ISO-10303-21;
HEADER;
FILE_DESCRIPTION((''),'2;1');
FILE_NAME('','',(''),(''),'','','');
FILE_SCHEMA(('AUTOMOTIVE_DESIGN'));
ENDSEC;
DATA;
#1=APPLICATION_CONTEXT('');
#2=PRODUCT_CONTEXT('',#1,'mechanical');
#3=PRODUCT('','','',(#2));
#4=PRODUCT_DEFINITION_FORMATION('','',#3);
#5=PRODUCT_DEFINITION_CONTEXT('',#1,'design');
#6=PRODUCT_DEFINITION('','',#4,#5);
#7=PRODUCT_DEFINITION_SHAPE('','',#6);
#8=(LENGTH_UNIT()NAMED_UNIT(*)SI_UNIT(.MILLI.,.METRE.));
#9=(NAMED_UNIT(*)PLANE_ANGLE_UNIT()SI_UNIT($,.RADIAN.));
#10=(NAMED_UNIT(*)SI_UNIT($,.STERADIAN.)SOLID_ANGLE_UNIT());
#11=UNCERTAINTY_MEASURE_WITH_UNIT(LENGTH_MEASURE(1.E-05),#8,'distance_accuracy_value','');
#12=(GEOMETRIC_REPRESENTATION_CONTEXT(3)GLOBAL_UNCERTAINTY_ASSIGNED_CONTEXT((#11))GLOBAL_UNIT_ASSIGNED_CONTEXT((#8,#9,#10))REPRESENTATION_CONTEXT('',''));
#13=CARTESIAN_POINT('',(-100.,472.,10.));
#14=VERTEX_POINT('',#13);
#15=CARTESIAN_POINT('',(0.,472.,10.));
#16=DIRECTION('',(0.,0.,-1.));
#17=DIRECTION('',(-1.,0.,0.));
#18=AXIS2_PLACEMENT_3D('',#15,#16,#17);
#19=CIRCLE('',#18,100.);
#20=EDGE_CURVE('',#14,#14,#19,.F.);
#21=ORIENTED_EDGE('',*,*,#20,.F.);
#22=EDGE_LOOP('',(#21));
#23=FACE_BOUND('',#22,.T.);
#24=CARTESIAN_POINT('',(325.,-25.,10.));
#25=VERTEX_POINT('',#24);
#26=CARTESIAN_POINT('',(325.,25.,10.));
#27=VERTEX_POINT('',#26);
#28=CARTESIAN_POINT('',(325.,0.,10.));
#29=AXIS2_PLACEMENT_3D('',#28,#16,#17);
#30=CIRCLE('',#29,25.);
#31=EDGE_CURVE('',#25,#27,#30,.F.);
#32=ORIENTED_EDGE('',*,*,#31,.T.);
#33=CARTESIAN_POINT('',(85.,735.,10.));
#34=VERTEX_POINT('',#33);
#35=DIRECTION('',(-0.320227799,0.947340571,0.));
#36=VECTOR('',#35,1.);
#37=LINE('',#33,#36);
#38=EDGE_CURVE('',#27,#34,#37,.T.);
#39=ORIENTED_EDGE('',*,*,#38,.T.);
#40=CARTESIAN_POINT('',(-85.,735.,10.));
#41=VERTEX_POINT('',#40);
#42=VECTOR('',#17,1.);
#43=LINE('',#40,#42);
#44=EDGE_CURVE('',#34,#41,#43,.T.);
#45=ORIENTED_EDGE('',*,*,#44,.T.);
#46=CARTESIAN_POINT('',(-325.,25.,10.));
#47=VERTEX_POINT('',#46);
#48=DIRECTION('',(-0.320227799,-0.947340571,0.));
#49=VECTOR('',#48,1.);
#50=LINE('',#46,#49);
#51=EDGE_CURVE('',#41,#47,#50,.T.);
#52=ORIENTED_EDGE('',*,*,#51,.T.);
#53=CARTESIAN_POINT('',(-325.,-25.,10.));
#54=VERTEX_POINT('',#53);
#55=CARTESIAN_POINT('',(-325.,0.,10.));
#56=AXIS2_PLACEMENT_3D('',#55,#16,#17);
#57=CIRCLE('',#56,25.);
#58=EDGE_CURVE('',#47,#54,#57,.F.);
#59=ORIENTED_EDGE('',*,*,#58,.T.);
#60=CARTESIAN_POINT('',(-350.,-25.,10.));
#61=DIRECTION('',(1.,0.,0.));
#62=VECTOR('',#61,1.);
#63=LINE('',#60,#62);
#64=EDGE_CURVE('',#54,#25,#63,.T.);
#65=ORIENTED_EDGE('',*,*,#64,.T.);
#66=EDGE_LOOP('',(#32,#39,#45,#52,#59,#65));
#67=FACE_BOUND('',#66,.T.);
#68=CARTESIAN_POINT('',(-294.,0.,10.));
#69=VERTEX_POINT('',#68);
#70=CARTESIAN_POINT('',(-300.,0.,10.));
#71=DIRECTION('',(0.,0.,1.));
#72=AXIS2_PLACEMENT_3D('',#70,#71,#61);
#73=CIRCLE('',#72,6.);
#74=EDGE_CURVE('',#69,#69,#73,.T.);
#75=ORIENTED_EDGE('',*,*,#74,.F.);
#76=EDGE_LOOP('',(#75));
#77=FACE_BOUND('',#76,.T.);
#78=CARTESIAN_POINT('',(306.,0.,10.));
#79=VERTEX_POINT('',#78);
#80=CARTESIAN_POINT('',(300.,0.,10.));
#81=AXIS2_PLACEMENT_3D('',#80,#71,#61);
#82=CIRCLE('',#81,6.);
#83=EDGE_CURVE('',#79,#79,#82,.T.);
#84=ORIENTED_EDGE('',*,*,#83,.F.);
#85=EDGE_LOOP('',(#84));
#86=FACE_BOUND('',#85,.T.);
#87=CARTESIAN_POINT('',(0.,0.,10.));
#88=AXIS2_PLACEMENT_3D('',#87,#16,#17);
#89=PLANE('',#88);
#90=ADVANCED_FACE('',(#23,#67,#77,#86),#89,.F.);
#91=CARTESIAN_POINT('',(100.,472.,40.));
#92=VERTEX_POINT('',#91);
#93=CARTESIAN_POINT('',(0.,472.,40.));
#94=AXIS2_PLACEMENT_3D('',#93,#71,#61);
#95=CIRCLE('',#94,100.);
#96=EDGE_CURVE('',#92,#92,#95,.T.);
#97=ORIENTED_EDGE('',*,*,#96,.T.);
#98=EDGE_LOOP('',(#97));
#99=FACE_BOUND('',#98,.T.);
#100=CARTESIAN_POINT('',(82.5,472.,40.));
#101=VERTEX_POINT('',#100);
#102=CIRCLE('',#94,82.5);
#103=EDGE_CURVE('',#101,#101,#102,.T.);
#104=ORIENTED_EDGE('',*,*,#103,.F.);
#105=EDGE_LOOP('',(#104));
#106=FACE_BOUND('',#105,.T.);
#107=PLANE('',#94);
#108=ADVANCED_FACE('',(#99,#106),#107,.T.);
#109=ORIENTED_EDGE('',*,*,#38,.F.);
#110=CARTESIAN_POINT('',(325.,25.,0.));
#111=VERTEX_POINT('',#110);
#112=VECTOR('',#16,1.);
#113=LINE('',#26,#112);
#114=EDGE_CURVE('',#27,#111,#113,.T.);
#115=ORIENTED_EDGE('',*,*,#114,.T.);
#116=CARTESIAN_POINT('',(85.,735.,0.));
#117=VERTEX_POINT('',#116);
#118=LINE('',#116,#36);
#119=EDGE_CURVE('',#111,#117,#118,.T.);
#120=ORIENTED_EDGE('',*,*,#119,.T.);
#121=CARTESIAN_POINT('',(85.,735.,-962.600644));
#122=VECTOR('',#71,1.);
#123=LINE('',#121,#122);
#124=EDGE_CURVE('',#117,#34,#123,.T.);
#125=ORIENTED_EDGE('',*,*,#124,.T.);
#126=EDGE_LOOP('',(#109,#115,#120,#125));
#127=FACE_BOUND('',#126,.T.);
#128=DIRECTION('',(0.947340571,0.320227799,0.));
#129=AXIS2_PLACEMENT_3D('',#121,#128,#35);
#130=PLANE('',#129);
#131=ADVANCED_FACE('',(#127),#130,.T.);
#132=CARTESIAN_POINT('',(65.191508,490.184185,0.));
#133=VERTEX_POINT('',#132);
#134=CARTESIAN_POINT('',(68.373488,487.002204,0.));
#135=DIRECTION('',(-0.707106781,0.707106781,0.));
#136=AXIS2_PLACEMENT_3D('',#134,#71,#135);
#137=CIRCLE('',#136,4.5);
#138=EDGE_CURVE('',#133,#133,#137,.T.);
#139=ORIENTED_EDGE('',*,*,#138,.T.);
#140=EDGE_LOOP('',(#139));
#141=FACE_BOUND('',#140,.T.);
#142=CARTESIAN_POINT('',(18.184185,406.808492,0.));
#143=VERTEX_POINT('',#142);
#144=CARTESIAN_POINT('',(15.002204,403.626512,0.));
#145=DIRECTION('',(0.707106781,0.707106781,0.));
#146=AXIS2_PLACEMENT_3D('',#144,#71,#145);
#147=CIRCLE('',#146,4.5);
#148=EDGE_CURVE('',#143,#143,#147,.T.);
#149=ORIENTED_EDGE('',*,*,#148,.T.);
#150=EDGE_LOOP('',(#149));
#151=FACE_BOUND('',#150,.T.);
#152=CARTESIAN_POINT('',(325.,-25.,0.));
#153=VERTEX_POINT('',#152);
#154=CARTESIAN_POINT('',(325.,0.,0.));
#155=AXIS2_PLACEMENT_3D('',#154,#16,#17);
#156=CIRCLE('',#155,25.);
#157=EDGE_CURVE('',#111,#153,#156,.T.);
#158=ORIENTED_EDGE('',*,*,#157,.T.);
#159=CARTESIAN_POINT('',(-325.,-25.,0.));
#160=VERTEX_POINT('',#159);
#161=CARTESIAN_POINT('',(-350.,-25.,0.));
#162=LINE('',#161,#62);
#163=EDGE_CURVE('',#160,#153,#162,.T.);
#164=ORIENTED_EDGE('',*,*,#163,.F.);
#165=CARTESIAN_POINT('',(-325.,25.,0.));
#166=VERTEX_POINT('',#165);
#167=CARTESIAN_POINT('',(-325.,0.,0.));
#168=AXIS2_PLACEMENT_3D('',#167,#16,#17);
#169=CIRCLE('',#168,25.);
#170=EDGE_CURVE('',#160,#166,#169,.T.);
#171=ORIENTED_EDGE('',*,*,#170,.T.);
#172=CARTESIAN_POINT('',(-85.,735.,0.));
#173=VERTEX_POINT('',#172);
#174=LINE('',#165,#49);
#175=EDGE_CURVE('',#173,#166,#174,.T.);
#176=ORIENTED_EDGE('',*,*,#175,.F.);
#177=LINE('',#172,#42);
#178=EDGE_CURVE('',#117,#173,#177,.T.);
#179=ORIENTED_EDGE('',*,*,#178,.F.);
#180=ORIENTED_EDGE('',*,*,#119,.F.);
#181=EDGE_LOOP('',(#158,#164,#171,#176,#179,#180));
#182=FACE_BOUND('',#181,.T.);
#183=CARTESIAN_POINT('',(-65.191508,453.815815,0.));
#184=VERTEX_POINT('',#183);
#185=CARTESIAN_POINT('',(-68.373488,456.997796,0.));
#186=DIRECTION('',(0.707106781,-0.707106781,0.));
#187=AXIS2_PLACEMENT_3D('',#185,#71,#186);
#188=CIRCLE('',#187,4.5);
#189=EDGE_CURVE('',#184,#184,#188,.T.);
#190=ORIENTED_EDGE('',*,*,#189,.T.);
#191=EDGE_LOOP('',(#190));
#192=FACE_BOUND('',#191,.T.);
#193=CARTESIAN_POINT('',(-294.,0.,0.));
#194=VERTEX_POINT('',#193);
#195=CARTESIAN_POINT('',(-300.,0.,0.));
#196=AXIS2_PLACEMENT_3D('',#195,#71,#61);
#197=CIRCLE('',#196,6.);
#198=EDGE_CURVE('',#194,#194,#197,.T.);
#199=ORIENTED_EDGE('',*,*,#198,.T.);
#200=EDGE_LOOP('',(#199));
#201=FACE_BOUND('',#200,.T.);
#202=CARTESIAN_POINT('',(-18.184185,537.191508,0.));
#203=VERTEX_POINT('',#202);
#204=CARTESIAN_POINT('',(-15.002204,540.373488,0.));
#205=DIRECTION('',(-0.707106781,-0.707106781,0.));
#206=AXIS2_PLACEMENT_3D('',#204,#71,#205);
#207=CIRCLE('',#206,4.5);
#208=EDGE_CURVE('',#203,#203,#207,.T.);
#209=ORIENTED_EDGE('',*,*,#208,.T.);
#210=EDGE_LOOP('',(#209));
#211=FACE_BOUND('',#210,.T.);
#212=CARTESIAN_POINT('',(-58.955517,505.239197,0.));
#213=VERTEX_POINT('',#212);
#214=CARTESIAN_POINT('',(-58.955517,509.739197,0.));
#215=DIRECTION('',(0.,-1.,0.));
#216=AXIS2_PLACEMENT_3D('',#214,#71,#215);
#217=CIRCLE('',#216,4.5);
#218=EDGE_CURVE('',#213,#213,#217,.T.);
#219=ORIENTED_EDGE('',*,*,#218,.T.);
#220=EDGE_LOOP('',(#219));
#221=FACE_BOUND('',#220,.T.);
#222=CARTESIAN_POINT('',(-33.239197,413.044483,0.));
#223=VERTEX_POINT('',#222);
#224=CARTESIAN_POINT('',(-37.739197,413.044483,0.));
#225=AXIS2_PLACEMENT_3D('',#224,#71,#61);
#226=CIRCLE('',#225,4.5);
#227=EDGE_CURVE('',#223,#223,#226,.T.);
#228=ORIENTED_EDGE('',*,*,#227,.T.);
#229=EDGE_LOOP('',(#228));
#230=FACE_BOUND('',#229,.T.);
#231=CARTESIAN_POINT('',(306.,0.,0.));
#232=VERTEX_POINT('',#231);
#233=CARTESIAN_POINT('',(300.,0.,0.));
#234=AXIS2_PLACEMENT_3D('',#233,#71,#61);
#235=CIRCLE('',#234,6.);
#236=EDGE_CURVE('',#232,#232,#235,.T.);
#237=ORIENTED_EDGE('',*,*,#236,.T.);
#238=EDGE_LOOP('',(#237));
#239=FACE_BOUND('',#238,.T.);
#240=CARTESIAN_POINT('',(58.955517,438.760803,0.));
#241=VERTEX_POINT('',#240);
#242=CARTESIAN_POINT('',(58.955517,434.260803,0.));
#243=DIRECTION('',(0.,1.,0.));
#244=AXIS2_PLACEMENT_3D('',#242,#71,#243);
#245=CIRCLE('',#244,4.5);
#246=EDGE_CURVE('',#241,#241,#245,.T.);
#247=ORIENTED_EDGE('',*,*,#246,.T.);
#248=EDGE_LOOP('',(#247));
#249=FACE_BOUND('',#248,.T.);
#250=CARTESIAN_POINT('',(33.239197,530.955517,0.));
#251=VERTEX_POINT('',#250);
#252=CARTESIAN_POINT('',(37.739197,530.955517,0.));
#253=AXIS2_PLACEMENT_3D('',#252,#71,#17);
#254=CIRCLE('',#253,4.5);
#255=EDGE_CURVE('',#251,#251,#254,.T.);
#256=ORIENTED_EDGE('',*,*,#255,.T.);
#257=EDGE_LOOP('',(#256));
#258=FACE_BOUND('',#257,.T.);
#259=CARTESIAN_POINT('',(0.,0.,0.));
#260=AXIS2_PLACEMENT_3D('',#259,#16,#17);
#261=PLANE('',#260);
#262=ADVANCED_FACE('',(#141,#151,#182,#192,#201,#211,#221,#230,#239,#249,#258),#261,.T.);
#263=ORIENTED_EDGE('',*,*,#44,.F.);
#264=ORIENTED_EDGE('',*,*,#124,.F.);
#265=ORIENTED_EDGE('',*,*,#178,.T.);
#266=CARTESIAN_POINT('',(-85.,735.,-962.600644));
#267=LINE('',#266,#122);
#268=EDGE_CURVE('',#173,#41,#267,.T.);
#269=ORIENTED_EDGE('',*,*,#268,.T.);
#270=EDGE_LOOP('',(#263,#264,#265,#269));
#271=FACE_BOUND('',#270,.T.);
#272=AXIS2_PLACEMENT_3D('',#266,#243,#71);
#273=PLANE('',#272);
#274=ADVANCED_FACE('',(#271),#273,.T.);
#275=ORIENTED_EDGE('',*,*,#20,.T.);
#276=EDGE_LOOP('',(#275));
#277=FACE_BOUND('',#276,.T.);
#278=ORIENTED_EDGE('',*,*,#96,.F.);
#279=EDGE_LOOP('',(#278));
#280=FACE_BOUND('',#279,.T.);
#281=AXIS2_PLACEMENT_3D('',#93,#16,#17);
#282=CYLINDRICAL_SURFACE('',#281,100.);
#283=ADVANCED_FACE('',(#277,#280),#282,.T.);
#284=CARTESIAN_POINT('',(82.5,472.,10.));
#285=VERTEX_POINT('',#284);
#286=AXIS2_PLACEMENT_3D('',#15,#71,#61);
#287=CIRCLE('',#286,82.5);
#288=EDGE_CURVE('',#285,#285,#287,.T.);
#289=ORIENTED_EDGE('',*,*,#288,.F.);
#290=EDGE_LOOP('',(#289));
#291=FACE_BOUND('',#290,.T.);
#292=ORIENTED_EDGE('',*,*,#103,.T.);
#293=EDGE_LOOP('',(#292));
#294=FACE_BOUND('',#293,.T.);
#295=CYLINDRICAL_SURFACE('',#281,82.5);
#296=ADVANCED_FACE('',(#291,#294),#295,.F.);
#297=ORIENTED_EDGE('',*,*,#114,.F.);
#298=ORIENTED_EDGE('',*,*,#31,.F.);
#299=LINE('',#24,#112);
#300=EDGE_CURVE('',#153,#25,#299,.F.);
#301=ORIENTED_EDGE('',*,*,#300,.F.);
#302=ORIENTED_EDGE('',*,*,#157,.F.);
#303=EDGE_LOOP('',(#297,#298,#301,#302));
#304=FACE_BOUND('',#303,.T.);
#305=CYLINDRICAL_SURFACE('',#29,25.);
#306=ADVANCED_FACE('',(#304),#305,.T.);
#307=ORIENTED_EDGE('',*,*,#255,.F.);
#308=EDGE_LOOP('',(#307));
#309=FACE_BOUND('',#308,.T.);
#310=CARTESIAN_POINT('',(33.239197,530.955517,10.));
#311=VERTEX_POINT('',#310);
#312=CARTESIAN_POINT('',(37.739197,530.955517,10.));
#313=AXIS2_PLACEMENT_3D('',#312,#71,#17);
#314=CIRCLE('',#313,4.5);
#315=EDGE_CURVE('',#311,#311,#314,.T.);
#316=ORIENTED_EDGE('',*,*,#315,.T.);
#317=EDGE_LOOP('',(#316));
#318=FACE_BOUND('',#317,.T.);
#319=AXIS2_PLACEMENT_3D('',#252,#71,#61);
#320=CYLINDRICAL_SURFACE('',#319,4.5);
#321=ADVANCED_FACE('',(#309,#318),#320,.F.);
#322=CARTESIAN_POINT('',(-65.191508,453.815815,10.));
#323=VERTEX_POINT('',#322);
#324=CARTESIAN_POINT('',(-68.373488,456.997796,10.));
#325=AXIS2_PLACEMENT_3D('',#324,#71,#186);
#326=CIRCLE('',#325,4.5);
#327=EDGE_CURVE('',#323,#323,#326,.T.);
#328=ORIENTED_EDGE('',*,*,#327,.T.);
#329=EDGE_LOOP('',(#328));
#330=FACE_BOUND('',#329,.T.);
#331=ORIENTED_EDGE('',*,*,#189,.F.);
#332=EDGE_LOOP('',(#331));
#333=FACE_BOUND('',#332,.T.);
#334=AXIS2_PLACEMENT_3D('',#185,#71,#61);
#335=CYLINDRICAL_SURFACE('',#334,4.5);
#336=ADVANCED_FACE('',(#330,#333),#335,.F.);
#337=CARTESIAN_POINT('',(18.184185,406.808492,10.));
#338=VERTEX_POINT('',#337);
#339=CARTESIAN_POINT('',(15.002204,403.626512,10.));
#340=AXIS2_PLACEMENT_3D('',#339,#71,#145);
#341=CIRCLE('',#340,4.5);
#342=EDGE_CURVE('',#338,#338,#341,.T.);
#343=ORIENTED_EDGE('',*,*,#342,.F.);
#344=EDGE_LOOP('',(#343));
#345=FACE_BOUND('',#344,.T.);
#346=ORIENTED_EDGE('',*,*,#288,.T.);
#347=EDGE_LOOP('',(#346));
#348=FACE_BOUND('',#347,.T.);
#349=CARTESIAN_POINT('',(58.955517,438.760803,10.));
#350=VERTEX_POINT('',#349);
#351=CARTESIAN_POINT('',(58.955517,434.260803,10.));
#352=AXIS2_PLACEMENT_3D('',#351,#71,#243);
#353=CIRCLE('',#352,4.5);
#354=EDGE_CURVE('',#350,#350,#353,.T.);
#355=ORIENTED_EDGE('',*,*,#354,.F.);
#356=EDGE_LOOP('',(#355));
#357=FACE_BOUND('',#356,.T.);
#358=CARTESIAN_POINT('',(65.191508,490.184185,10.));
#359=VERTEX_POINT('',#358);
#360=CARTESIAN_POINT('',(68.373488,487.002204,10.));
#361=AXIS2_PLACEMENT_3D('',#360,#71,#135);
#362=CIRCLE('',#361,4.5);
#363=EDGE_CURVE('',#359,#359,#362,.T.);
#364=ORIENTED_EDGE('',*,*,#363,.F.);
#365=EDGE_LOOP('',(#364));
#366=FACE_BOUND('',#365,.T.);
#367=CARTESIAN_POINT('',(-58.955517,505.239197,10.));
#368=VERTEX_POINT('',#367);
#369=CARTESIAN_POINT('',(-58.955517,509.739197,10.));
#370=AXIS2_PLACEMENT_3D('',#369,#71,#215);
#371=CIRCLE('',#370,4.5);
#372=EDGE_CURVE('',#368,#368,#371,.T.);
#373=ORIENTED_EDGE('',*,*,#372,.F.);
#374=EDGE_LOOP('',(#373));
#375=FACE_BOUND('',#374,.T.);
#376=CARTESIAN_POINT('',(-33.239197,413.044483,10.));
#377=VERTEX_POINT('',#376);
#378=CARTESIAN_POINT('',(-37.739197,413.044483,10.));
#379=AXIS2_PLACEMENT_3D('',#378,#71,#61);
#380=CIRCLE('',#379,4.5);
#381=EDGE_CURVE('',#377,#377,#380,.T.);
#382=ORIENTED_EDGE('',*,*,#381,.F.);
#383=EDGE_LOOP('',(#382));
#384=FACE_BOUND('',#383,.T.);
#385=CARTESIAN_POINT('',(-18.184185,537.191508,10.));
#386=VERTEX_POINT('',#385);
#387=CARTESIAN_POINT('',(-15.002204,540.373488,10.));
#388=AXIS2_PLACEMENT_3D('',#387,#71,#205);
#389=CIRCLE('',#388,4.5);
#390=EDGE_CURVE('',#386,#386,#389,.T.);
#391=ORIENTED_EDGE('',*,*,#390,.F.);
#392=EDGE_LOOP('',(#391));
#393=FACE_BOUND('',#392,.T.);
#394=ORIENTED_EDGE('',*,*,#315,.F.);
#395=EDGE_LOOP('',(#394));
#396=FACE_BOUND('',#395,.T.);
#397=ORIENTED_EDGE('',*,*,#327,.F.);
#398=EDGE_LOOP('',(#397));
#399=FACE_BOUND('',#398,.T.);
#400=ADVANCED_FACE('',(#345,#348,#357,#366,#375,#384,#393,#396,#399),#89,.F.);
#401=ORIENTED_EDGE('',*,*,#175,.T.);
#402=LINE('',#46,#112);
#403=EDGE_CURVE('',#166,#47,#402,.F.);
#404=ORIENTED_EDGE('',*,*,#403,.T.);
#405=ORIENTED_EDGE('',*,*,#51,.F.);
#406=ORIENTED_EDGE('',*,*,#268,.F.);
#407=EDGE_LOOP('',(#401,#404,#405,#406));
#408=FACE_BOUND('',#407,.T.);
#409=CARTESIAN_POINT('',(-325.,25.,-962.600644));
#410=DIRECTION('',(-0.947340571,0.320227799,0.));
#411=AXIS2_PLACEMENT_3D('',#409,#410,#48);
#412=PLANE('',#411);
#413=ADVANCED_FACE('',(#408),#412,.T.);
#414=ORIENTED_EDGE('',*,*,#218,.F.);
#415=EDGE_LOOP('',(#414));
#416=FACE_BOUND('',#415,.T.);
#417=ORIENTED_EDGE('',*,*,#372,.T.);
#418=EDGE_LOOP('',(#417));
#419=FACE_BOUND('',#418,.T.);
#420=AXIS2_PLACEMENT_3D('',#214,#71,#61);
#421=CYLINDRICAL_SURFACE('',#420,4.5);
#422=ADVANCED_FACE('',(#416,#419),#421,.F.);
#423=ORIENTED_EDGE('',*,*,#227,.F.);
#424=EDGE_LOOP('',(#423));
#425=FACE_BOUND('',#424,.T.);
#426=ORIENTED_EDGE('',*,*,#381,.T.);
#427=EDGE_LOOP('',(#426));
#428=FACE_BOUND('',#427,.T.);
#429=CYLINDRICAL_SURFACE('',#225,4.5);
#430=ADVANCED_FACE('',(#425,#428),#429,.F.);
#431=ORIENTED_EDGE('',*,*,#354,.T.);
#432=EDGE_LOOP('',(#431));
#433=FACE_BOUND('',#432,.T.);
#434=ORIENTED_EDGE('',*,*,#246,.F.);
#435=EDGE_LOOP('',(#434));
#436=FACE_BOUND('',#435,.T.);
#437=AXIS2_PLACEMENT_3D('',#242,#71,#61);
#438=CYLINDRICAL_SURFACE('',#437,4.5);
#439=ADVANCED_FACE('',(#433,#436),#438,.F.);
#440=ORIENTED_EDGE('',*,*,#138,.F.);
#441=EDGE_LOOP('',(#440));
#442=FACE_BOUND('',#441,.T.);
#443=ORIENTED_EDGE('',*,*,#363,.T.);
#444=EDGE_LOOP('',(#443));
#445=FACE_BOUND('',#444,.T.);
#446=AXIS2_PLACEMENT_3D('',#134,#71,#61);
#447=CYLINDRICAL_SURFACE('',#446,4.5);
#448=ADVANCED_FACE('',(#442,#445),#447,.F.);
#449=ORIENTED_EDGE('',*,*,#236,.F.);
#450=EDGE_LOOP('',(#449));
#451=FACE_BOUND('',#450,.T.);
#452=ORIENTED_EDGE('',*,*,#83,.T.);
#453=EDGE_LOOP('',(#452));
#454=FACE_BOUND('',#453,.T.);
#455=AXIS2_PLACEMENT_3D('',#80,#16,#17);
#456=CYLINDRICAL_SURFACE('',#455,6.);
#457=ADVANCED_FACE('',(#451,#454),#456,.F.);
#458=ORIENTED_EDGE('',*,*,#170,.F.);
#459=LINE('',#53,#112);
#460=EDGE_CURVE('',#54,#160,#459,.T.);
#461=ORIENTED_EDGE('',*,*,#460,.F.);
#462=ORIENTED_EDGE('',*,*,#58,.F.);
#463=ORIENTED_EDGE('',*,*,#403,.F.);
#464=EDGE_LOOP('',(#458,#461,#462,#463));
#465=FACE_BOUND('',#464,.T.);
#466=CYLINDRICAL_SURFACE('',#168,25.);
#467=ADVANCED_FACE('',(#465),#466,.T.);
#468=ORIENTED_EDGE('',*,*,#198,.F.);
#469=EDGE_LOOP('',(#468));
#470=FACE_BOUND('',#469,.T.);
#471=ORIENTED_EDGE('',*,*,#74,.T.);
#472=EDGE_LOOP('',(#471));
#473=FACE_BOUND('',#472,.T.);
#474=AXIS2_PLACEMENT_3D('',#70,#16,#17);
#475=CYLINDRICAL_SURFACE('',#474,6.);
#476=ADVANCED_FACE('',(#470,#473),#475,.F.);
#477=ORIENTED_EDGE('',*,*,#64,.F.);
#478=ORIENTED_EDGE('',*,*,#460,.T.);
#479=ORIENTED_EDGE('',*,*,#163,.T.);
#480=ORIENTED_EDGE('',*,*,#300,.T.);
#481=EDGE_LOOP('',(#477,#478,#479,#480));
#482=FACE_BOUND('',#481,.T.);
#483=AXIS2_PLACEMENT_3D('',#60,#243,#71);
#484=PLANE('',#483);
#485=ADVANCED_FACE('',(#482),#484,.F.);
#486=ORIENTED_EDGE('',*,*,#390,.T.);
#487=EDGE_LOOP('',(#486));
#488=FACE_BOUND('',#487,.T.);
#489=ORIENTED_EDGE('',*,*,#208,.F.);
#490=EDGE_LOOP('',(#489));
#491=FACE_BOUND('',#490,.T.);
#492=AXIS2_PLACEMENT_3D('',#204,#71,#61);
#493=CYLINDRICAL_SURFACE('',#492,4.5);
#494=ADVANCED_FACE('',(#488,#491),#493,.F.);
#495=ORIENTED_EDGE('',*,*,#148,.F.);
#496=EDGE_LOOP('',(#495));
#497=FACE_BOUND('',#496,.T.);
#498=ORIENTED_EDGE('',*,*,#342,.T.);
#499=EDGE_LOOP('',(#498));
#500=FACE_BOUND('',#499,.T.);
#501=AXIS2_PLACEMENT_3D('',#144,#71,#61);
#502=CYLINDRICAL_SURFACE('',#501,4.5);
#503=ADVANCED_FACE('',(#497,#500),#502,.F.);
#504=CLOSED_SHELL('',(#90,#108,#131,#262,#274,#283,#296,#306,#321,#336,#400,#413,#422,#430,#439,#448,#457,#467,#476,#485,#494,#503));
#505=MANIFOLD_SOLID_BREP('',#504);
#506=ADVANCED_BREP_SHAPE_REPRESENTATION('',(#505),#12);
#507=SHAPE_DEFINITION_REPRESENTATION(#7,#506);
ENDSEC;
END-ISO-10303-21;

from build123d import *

# Parameters (mm, degrees)
SKETCH1_W           = 700
SKETCH1_H           = 50
SKETCH1_R           = 6
BOSS_EXTRUDE1_DEPTH = 10
FILLET1_RADIUS      = 25
FILLET1_LENGTH      = 10
FILLET2_RADIUS      = 25
FILLET2_LENGTH      = 10
BOSS_EXTRUDE2_DEPTH = 10
SKETCH3_R           = 100
SKETCH3_R_2         = 82.5
BOSS_EXTRUDE3_DEPTH = 30
SKETCH4_R           = 4.5
CUT_EXTRUDE1_DEPTH  = 815.631818676
CIRPATTERN1_COUNT   = 8


with BuildPart() as part:
    # Sketch1 → Boss-Extrude1 (new body)
    with BuildSketch(Plane.XY):
        Rectangle(SKETCH1_W, SKETCH1_H)
        with Locations((-300, 0)):
            Circle(SKETCH1_R, mode=Mode.SUBTRACT)
        with Locations((300, 0)):
            Circle(SKETCH1_R, mode=Mode.SUBTRACT)
    extrude(amount=BOSS_EXTRUDE1_DEPTH)

    # Fillet1: full round fillet: the end face becomes a half cylinder, R = half its width
    fillet1_face = Plane((-350, 0, 5), x_dir=(0, 0, 1), z_dir=(-1, 0, 0))  # on the end face: x along it, z out of the body
    fillet1_slab = fillet1_face.offset(-FILLET1_RADIUS / 2) * Box(FILLET1_LENGTH, 2 * FILLET1_RADIUS, FILLET1_RADIUS, mode=Mode.PRIVATE)  # the body's end, R deep
    fillet1_round = Plane((-325, 0, 5), x_dir=(-1, 0, 0), z_dir=(0, 0, 1)) * Cylinder(FILLET1_RADIUS, FILLET1_LENGTH, mode=Mode.PRIVATE)  # its axis R under the face
    add(fillet1_slab - fillet1_round, mode=Mode.SUBTRACT)

    # Fillet2: full round fillet: the end face becomes a half cylinder, R = half its width
    fillet2_face = Plane((350, 0, 5), x_dir=(0, 0, -1), z_dir=(1, 0, 0))  # on the end face: x along it, z out of the body
    fillet2_slab = fillet2_face.offset(-FILLET2_RADIUS / 2) * Box(FILLET2_LENGTH, 2 * FILLET2_RADIUS, FILLET2_RADIUS, mode=Mode.PRIVATE)  # the body's end, R deep
    fillet2_round = Plane((325, 0, 5), x_dir=(1, 0, 0), z_dir=(0, 0, -1)) * Cylinder(FILLET2_RADIUS, FILLET2_LENGTH, mode=Mode.PRIVATE)  # its axis R under the face
    add(fillet2_slab - fillet2_round, mode=Mode.SUBTRACT)

    # Sketch2 → Boss-Extrude2 (add)
    with BuildSketch(Plane.XY.offset(10)):
        Polygon((-325, 25), (-85, 735), (85, 735), (325, 25), align=None)
    extrude(amount=-BOSS_EXTRUDE2_DEPTH)

    # Sketch3 → Boss-Extrude3 (add)
    with BuildSketch(Plane.XY.offset(10)):
        with Locations(Location((0, 472, 0), (0, 0, 180))):
            Circle(SKETCH3_R)
        with Locations((0, 472)):
            Circle(SKETCH3_R_2, mode=Mode.SUBTRACT)
    extrude(amount=BOSS_EXTRUDE3_DEPTH)

    # Sketch4 → Cut-Extrude1 (cut, through all)
    with BuildSketch(Plane.XY.offset(10)):
        with Locations((-37.739196917, 413.044482735)):
            Circle(SKETCH4_R)
    cut_extrude1 = extrude(amount=-CUT_EXTRUDE1_DEPTH, mode=Mode.SUBTRACT)

    # CirPattern1: Cut-Extrude1 ×8 about axis
    cirpattern1_axis = Axis((0, 472, 0), (0, 0, 1))
    for i in range(1, CIRPATTERN1_COUNT):
        add(cut_extrude1.rotate(cirpattern1_axis, i * 360 / CIRPATTERN1_COUNT), mode=Mode.SUBTRACT)


solid = part.part
